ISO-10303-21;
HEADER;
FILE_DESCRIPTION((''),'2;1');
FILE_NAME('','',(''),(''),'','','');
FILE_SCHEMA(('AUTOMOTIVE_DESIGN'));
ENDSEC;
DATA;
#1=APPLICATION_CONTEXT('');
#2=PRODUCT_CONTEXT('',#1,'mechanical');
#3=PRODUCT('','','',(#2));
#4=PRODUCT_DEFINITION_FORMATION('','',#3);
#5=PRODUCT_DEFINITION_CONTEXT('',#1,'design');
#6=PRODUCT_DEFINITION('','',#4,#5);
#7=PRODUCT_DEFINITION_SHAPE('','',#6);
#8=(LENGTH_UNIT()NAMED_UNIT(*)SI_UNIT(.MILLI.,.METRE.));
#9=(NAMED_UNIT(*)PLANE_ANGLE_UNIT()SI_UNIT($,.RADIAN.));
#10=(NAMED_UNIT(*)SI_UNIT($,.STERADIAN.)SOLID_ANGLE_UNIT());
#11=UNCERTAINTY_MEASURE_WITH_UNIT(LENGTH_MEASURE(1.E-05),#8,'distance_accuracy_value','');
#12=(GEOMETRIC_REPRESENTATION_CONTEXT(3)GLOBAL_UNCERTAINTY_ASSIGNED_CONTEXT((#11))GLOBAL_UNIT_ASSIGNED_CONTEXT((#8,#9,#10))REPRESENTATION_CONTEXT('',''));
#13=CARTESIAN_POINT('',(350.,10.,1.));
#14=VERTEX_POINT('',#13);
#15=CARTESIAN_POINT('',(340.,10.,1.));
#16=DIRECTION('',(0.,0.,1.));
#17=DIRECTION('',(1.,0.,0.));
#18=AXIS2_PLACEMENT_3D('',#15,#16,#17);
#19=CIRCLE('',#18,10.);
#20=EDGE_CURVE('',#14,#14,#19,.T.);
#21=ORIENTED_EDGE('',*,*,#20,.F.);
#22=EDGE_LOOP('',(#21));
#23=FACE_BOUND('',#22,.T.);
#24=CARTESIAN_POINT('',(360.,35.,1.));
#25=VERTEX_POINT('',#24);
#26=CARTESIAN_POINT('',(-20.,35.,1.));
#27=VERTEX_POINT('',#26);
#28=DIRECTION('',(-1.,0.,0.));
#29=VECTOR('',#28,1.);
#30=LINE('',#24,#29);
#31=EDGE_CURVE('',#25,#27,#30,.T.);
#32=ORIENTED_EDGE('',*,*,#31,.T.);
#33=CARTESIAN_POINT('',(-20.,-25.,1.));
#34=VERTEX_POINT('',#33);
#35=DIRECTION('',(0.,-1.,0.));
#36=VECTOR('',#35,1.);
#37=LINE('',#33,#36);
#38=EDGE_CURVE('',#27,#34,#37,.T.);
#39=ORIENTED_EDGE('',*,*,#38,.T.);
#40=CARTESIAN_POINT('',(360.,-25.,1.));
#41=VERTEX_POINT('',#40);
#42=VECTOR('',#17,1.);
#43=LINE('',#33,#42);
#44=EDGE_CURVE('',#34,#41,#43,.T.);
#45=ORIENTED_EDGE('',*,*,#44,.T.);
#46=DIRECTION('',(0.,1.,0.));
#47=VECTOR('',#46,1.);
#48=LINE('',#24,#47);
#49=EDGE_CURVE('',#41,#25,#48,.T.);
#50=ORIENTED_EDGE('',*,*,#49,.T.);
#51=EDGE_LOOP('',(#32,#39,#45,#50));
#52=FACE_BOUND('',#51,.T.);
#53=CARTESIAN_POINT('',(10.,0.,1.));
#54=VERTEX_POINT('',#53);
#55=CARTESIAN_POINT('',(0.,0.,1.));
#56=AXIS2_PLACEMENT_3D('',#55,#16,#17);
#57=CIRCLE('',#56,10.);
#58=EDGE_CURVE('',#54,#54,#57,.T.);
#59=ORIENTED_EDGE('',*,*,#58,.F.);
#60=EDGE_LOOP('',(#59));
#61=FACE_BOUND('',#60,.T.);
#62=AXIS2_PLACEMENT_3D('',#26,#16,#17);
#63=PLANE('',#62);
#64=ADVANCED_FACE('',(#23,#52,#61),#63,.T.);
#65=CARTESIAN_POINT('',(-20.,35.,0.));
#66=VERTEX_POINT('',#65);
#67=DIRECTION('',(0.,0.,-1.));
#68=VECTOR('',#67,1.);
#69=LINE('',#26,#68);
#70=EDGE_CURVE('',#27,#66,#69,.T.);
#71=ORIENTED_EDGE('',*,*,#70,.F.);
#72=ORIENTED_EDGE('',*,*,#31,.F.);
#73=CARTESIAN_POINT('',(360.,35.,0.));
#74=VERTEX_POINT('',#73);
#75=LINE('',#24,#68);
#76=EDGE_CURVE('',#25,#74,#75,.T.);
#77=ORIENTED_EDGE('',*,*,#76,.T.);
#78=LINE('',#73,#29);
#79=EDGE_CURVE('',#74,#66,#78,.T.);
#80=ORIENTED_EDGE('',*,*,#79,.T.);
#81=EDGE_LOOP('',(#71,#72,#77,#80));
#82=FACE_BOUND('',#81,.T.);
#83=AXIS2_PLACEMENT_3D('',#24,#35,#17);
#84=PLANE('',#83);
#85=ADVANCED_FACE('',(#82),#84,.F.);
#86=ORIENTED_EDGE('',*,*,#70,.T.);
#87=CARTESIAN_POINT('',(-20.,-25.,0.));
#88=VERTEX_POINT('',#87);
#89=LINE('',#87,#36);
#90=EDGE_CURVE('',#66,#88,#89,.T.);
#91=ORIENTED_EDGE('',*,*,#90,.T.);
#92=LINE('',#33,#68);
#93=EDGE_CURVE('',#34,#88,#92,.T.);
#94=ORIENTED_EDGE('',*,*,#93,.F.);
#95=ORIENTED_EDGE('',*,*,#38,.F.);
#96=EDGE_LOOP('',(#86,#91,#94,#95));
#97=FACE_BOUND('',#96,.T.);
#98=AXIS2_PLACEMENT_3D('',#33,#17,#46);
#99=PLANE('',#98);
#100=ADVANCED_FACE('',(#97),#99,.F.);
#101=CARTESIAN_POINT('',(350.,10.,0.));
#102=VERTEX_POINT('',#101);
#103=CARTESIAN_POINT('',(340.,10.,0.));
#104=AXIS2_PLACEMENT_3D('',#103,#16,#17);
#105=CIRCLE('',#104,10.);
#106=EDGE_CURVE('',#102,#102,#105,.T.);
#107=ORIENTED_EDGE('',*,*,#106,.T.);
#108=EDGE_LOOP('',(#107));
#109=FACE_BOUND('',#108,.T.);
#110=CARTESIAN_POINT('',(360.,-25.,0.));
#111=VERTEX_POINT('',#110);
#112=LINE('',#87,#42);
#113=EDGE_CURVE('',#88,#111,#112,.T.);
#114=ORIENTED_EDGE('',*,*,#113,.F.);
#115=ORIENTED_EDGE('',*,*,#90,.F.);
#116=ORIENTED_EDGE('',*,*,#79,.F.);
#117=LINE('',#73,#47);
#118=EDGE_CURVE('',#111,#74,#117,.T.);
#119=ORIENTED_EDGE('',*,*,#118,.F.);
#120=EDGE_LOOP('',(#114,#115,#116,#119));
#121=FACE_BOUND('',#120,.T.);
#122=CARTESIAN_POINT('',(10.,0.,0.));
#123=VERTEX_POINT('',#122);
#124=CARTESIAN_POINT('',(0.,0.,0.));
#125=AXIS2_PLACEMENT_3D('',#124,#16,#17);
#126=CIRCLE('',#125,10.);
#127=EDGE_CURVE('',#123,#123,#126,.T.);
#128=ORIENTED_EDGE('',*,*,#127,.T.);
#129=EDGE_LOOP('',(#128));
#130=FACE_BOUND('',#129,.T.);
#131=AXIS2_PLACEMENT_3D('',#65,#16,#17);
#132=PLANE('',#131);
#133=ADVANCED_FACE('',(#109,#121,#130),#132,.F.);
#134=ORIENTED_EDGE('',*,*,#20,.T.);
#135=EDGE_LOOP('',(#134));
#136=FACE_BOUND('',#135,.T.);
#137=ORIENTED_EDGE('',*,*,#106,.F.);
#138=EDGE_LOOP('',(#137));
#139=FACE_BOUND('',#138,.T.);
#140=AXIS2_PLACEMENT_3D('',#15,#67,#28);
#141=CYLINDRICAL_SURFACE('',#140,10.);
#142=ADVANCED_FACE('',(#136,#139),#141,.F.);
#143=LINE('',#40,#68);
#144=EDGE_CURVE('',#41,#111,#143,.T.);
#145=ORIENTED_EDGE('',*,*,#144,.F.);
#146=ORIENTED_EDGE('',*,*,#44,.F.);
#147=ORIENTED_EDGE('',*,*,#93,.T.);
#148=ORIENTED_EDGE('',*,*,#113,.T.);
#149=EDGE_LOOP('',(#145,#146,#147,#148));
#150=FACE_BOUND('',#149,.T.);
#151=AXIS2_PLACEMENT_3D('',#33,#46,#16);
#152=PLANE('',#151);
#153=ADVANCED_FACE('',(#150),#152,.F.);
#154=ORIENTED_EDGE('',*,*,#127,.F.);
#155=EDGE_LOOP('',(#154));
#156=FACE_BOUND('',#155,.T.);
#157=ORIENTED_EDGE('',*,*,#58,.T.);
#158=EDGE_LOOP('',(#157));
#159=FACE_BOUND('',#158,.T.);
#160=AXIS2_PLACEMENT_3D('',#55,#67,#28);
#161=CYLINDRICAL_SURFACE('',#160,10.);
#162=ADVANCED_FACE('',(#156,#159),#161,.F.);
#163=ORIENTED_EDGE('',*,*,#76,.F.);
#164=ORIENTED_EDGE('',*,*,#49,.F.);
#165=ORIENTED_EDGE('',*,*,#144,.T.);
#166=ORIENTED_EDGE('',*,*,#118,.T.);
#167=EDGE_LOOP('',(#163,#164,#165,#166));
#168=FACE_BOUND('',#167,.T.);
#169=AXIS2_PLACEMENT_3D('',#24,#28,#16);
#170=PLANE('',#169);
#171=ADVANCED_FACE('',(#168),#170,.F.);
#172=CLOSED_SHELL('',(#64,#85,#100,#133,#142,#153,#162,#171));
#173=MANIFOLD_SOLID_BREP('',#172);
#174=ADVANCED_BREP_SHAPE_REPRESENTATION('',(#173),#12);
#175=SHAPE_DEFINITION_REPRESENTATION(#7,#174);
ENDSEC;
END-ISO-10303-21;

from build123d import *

# Parameters (mm, degrees)
SKETCH1_W      = 380
SKETCH1_H      = 60
SKETCH1_R      = 10
EXTRUDE1_DEPTH = 1


with BuildPart() as part:
    # Sketch1 → Extrude1 (new body)
    with BuildSketch(Plane.XY):
        with Locations((170, 5)):
            Rectangle(SKETCH1_W, SKETCH1_H)
        Circle(SKETCH1_R, mode=Mode.SUBTRACT)
        with Locations((340, 10)):
            Circle(SKETCH1_R, mode=Mode.SUBTRACT)
    extrude(amount=EXTRUDE1_DEPTH)


solid = part.part
